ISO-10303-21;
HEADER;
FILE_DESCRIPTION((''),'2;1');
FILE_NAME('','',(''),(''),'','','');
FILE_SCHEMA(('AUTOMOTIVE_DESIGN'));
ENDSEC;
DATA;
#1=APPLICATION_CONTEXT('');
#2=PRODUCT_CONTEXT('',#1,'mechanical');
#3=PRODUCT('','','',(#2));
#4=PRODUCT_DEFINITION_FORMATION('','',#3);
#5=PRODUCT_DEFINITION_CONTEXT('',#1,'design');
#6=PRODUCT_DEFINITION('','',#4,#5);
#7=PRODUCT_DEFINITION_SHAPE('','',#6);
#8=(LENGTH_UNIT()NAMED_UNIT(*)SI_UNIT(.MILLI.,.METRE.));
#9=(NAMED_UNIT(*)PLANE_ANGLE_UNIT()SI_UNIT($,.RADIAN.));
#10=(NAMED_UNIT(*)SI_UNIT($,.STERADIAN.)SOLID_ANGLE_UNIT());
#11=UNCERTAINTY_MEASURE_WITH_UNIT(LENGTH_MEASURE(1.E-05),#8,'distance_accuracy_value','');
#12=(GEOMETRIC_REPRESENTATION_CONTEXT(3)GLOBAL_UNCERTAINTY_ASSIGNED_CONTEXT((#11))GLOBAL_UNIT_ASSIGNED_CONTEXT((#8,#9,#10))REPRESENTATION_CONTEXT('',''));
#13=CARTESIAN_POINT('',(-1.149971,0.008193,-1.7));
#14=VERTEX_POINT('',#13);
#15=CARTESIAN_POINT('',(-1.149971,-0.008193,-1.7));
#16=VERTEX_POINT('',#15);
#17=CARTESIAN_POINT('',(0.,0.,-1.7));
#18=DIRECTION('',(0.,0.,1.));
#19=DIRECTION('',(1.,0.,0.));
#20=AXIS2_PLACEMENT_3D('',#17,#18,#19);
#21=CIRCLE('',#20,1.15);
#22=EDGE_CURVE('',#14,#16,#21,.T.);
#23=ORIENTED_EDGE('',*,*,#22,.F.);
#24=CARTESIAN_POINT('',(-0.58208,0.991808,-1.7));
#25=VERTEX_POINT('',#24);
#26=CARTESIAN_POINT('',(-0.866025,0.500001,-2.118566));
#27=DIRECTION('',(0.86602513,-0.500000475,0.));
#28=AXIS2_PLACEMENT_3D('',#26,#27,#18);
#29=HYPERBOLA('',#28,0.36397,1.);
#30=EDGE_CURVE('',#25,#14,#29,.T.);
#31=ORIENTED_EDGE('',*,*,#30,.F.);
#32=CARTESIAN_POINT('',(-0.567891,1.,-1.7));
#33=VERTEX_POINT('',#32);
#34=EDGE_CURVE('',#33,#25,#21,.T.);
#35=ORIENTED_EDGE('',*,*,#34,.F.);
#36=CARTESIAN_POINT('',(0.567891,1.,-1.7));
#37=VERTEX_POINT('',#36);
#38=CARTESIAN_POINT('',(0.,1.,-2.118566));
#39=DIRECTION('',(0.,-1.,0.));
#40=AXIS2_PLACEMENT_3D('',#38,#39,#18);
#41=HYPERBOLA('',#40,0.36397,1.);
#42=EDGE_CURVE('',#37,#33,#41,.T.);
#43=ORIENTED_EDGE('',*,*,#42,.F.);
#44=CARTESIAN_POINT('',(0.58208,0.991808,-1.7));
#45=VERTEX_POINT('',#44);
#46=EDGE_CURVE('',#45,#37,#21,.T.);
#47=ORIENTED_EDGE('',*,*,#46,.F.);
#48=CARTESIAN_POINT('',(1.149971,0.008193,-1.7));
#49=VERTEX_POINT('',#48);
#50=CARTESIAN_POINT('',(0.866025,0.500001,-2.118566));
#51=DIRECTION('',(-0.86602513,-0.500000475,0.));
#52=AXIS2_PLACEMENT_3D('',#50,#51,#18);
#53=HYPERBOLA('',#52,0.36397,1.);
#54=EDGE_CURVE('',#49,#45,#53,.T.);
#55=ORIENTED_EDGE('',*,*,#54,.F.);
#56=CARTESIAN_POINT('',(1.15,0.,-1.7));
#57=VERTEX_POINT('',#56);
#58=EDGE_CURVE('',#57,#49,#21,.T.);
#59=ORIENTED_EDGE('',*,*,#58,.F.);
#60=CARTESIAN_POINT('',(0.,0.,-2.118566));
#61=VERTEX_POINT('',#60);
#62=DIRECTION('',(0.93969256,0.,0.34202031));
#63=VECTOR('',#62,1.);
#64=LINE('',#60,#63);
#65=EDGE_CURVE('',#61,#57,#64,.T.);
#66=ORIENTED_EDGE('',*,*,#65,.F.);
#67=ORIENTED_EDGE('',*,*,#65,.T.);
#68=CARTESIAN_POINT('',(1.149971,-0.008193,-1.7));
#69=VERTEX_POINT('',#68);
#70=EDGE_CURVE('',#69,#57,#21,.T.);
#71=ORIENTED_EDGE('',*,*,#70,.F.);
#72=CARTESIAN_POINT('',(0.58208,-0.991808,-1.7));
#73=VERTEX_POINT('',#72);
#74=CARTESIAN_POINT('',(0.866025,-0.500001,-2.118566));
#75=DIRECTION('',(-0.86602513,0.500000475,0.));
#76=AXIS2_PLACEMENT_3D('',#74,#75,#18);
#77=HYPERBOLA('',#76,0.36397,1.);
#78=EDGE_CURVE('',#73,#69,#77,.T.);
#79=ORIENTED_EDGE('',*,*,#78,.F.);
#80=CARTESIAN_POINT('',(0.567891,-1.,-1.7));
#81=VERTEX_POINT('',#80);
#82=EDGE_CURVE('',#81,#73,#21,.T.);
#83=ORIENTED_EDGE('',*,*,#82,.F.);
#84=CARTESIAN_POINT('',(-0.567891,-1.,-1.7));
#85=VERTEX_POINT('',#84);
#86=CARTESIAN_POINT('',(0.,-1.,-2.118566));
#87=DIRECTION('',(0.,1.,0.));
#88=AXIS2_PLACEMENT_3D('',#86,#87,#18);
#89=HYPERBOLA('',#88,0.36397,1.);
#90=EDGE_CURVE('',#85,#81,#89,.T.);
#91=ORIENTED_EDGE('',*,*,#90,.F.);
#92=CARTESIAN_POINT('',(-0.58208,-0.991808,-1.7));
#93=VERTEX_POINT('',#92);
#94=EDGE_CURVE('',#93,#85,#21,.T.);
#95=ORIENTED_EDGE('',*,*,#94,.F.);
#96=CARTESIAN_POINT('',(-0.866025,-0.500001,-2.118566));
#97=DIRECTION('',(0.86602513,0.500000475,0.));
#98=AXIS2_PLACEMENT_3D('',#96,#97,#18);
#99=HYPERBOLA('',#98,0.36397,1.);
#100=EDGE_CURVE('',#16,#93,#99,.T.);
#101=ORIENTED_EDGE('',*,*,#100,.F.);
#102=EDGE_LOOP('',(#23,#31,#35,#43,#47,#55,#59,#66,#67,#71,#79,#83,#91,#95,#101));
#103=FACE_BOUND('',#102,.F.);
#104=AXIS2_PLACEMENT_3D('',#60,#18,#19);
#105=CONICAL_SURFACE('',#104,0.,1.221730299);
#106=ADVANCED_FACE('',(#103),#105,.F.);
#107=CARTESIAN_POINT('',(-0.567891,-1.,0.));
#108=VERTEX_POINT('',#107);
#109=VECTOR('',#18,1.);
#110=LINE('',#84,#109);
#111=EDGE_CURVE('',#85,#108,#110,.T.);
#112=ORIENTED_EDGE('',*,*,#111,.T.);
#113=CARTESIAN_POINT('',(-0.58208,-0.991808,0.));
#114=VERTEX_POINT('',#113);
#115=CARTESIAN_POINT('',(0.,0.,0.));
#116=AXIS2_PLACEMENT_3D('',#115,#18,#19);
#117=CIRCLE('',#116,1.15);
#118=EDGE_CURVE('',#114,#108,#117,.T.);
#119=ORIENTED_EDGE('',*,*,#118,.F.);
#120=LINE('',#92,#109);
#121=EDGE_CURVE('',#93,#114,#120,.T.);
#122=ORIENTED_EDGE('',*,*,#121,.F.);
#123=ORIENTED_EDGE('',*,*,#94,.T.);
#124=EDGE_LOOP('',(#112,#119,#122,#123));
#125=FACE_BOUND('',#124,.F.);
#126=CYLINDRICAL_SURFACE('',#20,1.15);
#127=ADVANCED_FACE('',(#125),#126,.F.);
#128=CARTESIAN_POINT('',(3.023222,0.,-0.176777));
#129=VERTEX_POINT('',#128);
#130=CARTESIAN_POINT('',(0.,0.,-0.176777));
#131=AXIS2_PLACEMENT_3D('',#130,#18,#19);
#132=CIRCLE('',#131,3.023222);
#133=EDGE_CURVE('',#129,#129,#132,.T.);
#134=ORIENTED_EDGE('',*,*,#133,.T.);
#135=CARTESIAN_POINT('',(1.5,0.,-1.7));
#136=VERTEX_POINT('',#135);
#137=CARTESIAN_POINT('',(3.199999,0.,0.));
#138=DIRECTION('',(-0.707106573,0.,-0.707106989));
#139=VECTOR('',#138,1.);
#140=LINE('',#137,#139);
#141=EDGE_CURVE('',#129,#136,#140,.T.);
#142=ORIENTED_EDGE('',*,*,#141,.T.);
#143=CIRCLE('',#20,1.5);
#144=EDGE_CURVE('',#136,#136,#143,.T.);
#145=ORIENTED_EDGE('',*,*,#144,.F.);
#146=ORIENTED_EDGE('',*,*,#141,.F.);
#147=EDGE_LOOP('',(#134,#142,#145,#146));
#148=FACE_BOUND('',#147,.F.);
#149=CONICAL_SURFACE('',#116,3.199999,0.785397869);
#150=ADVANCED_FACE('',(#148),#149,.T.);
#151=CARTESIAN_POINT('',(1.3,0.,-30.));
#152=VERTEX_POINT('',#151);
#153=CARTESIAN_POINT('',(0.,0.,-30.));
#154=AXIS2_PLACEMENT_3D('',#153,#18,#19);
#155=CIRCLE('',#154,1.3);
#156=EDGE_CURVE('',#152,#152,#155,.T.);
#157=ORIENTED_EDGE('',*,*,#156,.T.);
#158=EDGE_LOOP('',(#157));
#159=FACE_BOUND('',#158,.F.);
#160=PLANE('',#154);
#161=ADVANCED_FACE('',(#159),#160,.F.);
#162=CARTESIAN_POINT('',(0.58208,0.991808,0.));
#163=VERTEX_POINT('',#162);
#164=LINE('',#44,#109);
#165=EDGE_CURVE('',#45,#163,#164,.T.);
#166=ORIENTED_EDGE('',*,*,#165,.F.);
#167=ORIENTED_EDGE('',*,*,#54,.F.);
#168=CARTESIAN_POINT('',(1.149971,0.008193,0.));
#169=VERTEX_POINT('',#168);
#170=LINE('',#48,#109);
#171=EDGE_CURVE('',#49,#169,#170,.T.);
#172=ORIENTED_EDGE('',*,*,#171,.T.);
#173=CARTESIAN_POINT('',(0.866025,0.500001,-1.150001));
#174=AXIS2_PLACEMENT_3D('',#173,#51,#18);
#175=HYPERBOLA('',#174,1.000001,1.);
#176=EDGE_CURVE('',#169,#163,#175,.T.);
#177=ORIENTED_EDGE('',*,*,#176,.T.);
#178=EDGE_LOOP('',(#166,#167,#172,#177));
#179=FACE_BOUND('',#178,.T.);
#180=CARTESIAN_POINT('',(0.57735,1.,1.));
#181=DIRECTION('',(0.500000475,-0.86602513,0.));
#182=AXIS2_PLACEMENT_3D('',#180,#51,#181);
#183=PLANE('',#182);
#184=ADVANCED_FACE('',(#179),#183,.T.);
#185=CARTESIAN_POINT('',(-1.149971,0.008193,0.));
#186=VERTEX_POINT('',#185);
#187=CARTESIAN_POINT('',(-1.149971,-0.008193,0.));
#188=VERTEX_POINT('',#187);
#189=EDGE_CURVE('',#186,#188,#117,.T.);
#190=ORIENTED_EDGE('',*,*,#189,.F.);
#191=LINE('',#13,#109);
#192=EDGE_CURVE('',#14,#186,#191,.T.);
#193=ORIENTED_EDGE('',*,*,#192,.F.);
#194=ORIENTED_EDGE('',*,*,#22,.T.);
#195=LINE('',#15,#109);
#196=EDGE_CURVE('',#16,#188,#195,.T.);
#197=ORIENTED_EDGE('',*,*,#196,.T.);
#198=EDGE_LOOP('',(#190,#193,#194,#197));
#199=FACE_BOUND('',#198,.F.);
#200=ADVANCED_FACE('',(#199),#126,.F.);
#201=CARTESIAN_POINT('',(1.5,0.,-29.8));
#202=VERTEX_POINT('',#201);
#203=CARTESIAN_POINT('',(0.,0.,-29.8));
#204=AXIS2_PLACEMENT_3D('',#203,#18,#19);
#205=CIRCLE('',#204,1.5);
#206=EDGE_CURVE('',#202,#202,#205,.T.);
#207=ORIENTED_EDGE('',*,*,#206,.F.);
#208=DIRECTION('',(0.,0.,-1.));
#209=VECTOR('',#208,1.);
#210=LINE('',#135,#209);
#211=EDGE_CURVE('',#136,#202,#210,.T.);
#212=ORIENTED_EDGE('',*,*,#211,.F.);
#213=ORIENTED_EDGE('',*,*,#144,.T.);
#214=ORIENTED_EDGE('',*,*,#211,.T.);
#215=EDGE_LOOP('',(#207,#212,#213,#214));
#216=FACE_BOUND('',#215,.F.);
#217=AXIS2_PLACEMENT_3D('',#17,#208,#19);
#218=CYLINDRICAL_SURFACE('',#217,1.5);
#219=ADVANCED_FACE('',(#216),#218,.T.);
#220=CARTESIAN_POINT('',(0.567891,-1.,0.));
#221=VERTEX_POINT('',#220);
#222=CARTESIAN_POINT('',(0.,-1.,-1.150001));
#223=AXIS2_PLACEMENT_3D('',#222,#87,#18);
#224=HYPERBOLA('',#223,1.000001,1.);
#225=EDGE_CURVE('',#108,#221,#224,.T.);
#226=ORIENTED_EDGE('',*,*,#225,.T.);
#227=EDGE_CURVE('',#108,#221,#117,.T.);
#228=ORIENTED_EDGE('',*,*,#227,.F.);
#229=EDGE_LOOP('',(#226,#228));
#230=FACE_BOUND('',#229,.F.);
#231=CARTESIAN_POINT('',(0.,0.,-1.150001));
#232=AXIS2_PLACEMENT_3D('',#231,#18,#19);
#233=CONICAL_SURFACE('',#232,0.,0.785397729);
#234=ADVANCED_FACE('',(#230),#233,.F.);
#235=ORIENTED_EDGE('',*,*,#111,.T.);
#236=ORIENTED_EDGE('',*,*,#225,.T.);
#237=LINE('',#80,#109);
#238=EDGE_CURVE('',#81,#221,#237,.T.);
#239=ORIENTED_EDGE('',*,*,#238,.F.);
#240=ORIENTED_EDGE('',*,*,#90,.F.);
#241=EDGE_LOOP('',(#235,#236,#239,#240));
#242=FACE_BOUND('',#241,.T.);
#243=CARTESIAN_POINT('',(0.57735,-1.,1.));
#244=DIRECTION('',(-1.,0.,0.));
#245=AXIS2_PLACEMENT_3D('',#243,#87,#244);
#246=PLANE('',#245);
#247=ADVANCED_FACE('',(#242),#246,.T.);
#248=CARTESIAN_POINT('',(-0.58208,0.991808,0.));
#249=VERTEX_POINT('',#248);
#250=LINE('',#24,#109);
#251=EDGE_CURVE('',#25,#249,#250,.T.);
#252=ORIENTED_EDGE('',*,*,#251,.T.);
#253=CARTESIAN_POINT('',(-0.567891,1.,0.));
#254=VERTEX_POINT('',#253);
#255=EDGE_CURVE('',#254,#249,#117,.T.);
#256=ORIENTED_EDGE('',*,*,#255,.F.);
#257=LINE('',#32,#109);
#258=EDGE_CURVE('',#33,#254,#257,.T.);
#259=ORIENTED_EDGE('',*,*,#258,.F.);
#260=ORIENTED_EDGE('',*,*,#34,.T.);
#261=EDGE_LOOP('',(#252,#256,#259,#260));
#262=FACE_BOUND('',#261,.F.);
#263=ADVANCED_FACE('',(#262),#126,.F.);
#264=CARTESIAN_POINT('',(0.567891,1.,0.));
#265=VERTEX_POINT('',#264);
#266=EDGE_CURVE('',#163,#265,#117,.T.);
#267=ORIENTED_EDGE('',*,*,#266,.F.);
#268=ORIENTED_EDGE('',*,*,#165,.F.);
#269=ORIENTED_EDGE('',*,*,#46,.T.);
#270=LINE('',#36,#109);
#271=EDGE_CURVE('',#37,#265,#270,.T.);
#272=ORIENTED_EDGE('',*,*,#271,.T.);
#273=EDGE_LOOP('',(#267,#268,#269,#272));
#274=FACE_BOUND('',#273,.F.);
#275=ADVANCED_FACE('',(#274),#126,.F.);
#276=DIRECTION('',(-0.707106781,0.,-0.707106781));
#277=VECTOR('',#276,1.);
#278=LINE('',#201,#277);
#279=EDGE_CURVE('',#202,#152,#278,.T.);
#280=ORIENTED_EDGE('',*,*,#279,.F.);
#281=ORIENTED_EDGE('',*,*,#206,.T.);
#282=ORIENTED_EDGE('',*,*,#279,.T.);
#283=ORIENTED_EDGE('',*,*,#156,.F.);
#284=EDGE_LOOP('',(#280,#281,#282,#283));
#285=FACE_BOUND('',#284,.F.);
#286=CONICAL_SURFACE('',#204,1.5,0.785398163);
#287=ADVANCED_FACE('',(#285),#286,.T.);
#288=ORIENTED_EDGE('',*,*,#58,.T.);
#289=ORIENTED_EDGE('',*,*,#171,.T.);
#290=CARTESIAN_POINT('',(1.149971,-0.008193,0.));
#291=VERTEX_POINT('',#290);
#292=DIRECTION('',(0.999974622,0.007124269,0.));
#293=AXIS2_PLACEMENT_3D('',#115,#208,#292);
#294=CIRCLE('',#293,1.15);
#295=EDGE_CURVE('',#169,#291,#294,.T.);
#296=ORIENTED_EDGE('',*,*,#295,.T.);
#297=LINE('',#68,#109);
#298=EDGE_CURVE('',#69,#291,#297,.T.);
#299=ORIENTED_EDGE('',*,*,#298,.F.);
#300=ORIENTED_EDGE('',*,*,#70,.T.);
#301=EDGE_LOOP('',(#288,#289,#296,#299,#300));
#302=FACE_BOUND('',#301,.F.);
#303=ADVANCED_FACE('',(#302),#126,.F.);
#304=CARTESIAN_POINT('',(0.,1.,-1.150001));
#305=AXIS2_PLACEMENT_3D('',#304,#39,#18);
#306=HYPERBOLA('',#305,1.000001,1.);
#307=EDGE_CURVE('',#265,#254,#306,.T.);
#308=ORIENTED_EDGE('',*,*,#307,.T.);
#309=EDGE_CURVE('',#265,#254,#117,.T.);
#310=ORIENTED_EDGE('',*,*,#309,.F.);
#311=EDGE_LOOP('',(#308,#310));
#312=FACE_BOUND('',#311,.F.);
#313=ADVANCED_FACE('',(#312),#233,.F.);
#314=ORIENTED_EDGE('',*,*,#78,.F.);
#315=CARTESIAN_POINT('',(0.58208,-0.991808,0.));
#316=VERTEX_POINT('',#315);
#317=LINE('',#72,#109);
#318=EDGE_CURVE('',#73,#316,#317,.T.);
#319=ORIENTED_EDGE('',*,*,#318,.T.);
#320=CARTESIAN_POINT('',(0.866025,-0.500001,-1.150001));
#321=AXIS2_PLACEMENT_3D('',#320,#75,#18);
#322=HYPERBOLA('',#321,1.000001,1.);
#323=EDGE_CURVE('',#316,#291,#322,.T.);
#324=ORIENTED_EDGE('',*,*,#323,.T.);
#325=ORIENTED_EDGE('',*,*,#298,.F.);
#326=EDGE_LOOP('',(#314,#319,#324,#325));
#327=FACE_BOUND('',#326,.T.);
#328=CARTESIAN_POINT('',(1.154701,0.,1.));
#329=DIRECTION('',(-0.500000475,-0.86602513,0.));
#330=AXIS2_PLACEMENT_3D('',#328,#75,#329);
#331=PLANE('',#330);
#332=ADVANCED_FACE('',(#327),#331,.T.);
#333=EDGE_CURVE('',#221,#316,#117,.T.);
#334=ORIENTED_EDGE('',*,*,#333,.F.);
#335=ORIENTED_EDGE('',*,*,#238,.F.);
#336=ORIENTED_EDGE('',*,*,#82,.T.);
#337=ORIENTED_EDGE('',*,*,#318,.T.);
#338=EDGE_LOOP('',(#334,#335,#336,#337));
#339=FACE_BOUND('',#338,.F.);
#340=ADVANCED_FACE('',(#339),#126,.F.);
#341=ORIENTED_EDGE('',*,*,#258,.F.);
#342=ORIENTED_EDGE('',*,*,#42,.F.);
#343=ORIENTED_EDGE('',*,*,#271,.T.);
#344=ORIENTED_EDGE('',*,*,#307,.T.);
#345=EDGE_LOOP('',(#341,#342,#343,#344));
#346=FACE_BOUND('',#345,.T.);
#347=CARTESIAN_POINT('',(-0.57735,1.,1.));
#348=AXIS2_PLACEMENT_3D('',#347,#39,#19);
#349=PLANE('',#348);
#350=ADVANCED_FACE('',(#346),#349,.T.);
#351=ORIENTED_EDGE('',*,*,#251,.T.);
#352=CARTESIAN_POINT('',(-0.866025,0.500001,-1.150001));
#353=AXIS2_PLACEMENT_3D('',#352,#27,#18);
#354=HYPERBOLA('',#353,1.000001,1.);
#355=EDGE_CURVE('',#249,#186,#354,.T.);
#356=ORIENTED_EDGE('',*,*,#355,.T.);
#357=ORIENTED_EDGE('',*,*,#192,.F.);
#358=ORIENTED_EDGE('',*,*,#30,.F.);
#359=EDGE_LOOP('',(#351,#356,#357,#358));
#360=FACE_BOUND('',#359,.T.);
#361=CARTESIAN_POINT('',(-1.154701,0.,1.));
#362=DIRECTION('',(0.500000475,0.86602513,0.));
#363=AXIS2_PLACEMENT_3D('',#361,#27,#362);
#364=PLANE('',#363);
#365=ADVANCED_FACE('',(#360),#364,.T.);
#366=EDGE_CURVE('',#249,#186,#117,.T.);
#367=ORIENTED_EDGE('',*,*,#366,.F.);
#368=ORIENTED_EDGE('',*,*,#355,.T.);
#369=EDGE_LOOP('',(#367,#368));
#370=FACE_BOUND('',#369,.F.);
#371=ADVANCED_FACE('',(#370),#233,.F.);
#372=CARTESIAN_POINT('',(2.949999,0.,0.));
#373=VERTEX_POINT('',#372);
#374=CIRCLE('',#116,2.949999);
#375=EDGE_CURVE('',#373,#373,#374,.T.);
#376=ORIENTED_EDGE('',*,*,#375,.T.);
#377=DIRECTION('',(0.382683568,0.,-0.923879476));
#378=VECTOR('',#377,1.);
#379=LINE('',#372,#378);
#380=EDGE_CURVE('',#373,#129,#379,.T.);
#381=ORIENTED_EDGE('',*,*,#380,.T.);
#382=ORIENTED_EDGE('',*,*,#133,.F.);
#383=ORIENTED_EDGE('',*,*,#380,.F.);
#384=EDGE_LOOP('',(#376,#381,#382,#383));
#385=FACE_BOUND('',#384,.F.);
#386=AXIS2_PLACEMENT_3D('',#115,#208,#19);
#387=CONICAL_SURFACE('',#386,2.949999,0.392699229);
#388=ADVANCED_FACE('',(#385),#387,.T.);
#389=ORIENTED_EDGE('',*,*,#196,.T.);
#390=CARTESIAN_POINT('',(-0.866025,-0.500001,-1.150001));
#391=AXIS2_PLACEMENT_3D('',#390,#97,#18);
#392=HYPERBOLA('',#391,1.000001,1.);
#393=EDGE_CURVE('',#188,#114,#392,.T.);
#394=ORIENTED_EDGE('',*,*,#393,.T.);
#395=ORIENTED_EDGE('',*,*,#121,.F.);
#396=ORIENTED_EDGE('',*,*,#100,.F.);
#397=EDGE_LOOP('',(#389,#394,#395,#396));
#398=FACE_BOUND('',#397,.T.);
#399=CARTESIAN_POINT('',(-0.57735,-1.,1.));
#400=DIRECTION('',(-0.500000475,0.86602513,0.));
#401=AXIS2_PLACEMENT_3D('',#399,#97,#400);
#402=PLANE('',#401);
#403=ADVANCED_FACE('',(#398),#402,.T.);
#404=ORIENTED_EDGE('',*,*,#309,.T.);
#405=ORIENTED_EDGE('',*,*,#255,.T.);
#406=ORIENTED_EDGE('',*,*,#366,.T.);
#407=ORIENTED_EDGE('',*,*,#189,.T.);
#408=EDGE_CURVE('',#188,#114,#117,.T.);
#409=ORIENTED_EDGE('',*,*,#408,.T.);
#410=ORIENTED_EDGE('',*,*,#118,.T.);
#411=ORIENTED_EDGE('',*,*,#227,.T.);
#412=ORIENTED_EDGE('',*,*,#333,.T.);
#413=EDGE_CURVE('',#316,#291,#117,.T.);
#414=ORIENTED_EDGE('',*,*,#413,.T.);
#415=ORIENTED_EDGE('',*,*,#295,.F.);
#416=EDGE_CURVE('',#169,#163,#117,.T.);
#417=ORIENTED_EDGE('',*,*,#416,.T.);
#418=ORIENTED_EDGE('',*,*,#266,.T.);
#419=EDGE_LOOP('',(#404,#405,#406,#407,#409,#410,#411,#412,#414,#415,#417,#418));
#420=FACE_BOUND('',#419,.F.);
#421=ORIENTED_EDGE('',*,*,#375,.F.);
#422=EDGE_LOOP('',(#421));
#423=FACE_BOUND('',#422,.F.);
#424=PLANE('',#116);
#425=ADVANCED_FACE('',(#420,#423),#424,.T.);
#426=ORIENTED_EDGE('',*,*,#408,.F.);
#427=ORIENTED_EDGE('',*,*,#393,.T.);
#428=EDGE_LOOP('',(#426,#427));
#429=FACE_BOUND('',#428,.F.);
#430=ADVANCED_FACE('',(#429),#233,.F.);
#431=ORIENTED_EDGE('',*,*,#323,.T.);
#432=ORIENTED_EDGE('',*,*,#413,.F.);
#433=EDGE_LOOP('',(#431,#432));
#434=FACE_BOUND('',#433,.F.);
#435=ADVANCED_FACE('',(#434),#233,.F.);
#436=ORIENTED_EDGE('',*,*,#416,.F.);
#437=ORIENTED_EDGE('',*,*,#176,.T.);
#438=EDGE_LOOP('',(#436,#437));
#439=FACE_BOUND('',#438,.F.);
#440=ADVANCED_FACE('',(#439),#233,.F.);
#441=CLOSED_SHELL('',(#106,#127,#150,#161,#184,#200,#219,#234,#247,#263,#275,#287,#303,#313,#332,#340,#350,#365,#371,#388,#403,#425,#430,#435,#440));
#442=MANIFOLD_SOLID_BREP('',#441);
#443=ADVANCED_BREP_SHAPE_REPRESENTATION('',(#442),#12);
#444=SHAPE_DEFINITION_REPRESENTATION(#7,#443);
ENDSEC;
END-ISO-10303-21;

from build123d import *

# Parameters (mm, degrees)
SKETCH001_R     = 2.15
POCKET_DEPTH    = 3.119566
CHAMFER_SIZE    = 0.25
CHAMFER001_SIZE = 0.2


with BuildPart() as pocket:
    # Sketch003 → Revolution001 (revolve)
    with BuildSketch(Plane.XZ):
        Polygon((0, -2.118566), (1.15, -1.7), (1.15, 1), (0, 1), align=None)
    revolve(axis=Axis((0, 0, 0), (0, 0, 1)))

    # Sketch001 (on Face3 of Revolution001) → Pocket (cut, through all)
    with BuildSketch(Plane(origin=(0, 0, 1), x_dir=(-1, 0, 0), z_dir=(0, 0, 1))):
        Circle(SKETCH001_R)
        Polygon((-0.57735, 1), (0.57735, 1), (1.154701, 0), (0.57735, -1), (-0.57735, -1), (-1.154701, 0), align=None, mode=Mode.SUBTRACT)
    extrude(amount=-POCKET_DEPTH, mode=Mode.SUBTRACT)


with BuildPart() as chamfer001:
    # Sketch → Revolution (revolve)
    with BuildSketch(Plane.XZ):
        Polygon((1.15, 0), (3.199999, 0), (1.5, -1.7), (1.5, -30), (0, -30), (0, -1.150001), align=None)
    revolve(axis=Axis((0, 0, 0), (0, 0, 1)))

    # Cut: cut Pocket
    add(pocket.part, mode=Mode.SUBTRACT)

    # Chamfer
    chamfer_edges = [chamfer001.edges().sort_by_distance(p)[0] for p in [
        (-3.199999, 0, 0),
    ]]
    chamfer(chamfer_edges, length=CHAMFER_SIZE)

    # Chamfer001
    chamfer001_edges = [chamfer001.edges().sort_by_distance(p)[0] for p in [
        (-1.5, 0, -30),
    ]]
    chamfer(chamfer001_edges, length=CHAMFER001_SIZE)


solid = chamfer001.part
